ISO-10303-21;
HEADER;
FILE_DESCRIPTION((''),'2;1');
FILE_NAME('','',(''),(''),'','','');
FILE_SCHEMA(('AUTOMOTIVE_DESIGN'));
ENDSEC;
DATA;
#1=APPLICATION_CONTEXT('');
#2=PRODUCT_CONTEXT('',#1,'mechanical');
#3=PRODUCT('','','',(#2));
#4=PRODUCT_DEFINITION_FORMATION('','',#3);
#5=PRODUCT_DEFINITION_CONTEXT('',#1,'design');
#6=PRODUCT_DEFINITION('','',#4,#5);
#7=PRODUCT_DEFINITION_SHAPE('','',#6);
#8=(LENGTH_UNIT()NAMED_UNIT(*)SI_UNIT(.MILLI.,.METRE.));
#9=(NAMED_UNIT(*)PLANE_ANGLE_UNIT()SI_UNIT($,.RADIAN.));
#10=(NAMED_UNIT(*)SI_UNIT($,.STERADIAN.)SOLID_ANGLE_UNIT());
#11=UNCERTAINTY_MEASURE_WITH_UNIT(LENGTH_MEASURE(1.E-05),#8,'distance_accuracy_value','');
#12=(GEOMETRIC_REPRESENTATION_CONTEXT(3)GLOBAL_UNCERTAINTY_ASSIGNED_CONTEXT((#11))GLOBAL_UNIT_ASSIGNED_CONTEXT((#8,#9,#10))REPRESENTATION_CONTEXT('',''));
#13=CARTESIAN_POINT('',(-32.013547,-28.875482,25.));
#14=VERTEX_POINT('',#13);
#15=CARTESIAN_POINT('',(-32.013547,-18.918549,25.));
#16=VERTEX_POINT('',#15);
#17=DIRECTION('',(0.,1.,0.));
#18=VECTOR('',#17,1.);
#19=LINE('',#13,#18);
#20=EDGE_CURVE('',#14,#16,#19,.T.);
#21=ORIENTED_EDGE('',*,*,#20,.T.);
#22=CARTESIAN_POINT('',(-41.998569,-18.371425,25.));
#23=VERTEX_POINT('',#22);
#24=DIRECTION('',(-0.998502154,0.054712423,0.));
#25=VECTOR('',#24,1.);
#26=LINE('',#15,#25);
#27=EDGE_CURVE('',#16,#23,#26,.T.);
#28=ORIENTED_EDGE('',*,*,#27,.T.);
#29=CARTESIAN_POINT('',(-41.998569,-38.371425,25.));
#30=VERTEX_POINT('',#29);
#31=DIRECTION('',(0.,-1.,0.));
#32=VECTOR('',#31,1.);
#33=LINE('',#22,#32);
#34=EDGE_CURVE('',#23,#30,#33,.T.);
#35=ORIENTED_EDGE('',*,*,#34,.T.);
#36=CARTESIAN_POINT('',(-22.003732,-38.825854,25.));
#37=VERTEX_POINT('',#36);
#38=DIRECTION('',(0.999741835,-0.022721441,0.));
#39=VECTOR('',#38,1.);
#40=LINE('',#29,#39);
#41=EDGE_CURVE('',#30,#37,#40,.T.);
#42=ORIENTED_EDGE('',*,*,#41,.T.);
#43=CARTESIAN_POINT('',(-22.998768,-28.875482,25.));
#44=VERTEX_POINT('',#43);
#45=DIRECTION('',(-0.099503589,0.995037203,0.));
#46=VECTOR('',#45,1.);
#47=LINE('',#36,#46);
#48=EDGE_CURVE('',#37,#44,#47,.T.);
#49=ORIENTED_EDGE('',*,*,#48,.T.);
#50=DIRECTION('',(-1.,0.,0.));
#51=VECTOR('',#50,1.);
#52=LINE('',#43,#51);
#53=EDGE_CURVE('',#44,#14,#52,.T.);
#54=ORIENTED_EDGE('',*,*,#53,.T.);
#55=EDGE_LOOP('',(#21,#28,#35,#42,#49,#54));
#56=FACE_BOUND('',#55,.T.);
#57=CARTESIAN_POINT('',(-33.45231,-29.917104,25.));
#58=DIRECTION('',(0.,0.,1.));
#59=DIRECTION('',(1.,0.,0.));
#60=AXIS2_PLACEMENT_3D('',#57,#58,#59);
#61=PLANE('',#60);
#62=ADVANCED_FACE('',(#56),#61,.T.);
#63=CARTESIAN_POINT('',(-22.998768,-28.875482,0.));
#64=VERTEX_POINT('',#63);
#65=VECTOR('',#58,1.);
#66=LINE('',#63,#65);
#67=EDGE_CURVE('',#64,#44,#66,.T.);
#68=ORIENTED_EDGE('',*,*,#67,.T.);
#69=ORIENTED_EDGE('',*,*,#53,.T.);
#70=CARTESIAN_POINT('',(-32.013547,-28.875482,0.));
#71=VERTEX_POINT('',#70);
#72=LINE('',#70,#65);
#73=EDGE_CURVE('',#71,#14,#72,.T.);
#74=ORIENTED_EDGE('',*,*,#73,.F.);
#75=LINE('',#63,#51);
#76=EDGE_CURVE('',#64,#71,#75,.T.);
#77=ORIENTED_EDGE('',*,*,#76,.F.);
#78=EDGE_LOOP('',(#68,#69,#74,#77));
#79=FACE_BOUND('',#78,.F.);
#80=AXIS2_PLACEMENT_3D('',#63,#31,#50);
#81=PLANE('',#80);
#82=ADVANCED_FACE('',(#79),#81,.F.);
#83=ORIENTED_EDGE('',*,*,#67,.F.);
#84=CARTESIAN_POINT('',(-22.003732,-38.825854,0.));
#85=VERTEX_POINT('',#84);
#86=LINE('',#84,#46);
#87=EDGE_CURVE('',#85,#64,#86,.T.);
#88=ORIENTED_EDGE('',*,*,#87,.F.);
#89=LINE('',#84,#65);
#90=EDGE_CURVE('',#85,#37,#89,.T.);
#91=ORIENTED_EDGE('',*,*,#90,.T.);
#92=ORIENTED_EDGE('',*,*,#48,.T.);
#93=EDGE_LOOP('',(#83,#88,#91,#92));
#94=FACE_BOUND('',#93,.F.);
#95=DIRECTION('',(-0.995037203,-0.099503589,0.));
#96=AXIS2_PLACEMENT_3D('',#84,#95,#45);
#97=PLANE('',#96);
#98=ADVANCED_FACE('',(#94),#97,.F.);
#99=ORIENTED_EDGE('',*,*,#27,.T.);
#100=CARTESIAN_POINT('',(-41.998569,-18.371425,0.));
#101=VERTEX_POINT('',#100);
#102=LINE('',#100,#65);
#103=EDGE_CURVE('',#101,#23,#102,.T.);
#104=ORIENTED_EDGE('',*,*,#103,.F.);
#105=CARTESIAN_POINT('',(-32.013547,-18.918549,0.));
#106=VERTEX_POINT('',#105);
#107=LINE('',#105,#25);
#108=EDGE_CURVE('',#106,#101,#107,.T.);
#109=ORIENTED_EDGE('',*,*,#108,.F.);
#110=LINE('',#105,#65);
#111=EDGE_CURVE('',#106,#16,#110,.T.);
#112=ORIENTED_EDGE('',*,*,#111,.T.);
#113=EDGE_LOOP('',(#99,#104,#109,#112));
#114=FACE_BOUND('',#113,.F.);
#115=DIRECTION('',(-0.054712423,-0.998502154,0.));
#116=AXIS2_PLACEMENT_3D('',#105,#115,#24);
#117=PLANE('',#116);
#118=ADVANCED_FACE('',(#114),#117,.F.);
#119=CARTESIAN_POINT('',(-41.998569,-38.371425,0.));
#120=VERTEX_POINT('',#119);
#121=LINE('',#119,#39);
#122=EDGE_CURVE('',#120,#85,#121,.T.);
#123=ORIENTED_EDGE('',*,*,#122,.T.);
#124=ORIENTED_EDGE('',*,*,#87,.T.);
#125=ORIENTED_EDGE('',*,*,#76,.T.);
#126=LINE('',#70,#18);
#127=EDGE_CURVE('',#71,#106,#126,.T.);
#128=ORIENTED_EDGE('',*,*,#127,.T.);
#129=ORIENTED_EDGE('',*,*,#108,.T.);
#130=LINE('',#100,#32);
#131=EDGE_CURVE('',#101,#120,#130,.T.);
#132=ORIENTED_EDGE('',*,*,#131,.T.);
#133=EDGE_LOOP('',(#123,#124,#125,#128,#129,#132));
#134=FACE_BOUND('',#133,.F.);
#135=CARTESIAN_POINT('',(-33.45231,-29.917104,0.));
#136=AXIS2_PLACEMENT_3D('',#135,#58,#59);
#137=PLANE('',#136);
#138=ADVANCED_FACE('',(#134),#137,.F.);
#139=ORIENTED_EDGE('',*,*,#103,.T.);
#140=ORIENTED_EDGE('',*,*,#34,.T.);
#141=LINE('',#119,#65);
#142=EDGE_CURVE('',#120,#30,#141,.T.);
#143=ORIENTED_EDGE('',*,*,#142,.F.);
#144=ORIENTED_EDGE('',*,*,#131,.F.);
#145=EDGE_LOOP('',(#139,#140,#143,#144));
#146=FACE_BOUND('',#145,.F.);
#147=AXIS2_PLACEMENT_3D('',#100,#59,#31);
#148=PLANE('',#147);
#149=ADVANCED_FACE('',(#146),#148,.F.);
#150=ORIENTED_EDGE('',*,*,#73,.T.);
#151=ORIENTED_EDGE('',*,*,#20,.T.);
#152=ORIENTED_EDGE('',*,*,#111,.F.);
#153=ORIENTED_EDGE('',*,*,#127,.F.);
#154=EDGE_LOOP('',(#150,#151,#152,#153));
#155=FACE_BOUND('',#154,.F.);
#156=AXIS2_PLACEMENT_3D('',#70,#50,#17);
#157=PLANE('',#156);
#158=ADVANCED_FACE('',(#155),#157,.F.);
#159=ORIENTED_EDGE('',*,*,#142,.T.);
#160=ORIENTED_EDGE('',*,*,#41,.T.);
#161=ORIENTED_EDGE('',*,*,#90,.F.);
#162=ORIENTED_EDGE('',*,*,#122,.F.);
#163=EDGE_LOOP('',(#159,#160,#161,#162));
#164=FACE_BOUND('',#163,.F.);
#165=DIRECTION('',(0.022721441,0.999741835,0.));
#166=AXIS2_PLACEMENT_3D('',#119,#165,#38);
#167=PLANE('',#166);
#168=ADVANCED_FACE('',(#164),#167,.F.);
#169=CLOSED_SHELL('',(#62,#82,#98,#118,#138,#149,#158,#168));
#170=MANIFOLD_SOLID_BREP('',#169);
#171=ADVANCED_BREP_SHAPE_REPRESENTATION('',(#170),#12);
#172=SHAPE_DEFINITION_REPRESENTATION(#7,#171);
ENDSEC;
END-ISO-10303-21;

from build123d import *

# Parameters (mm, degrees)
F1_DEPTH = 25


with BuildPart() as f1:
    # F0 (on Top) → F1 (new body)
    with BuildSketch(Plane.XY):
        Polygon((-32.0135473862, -18.9185493521), (-41.9985689223, -18.371425122), (-41.9985689223, -38.371425122), (-22.0037322274, -38.8258539341), (-22.9987681159, -28.8754819018), (-32.0135473862, -28.8754819018), align=None)
    extrude(amount=F1_DEPTH)


with BuildPart() as f1b:
    # F0 (on Top) → F1, piece 2 (new body)
    with BuildSketch(Plane.XY):
        Polygon((23.4582594037, -14.5173627138), (13.4582594037, -14.5173627138), (13.4582594037, -34.5173627138), (33.4582594037, -34.5173627138), (33.4582594037, -24.5173627138), (23.4582594037, -24.5173627138), align=None)
    extrude(amount=F1_DEPTH)


solid = f1.part
